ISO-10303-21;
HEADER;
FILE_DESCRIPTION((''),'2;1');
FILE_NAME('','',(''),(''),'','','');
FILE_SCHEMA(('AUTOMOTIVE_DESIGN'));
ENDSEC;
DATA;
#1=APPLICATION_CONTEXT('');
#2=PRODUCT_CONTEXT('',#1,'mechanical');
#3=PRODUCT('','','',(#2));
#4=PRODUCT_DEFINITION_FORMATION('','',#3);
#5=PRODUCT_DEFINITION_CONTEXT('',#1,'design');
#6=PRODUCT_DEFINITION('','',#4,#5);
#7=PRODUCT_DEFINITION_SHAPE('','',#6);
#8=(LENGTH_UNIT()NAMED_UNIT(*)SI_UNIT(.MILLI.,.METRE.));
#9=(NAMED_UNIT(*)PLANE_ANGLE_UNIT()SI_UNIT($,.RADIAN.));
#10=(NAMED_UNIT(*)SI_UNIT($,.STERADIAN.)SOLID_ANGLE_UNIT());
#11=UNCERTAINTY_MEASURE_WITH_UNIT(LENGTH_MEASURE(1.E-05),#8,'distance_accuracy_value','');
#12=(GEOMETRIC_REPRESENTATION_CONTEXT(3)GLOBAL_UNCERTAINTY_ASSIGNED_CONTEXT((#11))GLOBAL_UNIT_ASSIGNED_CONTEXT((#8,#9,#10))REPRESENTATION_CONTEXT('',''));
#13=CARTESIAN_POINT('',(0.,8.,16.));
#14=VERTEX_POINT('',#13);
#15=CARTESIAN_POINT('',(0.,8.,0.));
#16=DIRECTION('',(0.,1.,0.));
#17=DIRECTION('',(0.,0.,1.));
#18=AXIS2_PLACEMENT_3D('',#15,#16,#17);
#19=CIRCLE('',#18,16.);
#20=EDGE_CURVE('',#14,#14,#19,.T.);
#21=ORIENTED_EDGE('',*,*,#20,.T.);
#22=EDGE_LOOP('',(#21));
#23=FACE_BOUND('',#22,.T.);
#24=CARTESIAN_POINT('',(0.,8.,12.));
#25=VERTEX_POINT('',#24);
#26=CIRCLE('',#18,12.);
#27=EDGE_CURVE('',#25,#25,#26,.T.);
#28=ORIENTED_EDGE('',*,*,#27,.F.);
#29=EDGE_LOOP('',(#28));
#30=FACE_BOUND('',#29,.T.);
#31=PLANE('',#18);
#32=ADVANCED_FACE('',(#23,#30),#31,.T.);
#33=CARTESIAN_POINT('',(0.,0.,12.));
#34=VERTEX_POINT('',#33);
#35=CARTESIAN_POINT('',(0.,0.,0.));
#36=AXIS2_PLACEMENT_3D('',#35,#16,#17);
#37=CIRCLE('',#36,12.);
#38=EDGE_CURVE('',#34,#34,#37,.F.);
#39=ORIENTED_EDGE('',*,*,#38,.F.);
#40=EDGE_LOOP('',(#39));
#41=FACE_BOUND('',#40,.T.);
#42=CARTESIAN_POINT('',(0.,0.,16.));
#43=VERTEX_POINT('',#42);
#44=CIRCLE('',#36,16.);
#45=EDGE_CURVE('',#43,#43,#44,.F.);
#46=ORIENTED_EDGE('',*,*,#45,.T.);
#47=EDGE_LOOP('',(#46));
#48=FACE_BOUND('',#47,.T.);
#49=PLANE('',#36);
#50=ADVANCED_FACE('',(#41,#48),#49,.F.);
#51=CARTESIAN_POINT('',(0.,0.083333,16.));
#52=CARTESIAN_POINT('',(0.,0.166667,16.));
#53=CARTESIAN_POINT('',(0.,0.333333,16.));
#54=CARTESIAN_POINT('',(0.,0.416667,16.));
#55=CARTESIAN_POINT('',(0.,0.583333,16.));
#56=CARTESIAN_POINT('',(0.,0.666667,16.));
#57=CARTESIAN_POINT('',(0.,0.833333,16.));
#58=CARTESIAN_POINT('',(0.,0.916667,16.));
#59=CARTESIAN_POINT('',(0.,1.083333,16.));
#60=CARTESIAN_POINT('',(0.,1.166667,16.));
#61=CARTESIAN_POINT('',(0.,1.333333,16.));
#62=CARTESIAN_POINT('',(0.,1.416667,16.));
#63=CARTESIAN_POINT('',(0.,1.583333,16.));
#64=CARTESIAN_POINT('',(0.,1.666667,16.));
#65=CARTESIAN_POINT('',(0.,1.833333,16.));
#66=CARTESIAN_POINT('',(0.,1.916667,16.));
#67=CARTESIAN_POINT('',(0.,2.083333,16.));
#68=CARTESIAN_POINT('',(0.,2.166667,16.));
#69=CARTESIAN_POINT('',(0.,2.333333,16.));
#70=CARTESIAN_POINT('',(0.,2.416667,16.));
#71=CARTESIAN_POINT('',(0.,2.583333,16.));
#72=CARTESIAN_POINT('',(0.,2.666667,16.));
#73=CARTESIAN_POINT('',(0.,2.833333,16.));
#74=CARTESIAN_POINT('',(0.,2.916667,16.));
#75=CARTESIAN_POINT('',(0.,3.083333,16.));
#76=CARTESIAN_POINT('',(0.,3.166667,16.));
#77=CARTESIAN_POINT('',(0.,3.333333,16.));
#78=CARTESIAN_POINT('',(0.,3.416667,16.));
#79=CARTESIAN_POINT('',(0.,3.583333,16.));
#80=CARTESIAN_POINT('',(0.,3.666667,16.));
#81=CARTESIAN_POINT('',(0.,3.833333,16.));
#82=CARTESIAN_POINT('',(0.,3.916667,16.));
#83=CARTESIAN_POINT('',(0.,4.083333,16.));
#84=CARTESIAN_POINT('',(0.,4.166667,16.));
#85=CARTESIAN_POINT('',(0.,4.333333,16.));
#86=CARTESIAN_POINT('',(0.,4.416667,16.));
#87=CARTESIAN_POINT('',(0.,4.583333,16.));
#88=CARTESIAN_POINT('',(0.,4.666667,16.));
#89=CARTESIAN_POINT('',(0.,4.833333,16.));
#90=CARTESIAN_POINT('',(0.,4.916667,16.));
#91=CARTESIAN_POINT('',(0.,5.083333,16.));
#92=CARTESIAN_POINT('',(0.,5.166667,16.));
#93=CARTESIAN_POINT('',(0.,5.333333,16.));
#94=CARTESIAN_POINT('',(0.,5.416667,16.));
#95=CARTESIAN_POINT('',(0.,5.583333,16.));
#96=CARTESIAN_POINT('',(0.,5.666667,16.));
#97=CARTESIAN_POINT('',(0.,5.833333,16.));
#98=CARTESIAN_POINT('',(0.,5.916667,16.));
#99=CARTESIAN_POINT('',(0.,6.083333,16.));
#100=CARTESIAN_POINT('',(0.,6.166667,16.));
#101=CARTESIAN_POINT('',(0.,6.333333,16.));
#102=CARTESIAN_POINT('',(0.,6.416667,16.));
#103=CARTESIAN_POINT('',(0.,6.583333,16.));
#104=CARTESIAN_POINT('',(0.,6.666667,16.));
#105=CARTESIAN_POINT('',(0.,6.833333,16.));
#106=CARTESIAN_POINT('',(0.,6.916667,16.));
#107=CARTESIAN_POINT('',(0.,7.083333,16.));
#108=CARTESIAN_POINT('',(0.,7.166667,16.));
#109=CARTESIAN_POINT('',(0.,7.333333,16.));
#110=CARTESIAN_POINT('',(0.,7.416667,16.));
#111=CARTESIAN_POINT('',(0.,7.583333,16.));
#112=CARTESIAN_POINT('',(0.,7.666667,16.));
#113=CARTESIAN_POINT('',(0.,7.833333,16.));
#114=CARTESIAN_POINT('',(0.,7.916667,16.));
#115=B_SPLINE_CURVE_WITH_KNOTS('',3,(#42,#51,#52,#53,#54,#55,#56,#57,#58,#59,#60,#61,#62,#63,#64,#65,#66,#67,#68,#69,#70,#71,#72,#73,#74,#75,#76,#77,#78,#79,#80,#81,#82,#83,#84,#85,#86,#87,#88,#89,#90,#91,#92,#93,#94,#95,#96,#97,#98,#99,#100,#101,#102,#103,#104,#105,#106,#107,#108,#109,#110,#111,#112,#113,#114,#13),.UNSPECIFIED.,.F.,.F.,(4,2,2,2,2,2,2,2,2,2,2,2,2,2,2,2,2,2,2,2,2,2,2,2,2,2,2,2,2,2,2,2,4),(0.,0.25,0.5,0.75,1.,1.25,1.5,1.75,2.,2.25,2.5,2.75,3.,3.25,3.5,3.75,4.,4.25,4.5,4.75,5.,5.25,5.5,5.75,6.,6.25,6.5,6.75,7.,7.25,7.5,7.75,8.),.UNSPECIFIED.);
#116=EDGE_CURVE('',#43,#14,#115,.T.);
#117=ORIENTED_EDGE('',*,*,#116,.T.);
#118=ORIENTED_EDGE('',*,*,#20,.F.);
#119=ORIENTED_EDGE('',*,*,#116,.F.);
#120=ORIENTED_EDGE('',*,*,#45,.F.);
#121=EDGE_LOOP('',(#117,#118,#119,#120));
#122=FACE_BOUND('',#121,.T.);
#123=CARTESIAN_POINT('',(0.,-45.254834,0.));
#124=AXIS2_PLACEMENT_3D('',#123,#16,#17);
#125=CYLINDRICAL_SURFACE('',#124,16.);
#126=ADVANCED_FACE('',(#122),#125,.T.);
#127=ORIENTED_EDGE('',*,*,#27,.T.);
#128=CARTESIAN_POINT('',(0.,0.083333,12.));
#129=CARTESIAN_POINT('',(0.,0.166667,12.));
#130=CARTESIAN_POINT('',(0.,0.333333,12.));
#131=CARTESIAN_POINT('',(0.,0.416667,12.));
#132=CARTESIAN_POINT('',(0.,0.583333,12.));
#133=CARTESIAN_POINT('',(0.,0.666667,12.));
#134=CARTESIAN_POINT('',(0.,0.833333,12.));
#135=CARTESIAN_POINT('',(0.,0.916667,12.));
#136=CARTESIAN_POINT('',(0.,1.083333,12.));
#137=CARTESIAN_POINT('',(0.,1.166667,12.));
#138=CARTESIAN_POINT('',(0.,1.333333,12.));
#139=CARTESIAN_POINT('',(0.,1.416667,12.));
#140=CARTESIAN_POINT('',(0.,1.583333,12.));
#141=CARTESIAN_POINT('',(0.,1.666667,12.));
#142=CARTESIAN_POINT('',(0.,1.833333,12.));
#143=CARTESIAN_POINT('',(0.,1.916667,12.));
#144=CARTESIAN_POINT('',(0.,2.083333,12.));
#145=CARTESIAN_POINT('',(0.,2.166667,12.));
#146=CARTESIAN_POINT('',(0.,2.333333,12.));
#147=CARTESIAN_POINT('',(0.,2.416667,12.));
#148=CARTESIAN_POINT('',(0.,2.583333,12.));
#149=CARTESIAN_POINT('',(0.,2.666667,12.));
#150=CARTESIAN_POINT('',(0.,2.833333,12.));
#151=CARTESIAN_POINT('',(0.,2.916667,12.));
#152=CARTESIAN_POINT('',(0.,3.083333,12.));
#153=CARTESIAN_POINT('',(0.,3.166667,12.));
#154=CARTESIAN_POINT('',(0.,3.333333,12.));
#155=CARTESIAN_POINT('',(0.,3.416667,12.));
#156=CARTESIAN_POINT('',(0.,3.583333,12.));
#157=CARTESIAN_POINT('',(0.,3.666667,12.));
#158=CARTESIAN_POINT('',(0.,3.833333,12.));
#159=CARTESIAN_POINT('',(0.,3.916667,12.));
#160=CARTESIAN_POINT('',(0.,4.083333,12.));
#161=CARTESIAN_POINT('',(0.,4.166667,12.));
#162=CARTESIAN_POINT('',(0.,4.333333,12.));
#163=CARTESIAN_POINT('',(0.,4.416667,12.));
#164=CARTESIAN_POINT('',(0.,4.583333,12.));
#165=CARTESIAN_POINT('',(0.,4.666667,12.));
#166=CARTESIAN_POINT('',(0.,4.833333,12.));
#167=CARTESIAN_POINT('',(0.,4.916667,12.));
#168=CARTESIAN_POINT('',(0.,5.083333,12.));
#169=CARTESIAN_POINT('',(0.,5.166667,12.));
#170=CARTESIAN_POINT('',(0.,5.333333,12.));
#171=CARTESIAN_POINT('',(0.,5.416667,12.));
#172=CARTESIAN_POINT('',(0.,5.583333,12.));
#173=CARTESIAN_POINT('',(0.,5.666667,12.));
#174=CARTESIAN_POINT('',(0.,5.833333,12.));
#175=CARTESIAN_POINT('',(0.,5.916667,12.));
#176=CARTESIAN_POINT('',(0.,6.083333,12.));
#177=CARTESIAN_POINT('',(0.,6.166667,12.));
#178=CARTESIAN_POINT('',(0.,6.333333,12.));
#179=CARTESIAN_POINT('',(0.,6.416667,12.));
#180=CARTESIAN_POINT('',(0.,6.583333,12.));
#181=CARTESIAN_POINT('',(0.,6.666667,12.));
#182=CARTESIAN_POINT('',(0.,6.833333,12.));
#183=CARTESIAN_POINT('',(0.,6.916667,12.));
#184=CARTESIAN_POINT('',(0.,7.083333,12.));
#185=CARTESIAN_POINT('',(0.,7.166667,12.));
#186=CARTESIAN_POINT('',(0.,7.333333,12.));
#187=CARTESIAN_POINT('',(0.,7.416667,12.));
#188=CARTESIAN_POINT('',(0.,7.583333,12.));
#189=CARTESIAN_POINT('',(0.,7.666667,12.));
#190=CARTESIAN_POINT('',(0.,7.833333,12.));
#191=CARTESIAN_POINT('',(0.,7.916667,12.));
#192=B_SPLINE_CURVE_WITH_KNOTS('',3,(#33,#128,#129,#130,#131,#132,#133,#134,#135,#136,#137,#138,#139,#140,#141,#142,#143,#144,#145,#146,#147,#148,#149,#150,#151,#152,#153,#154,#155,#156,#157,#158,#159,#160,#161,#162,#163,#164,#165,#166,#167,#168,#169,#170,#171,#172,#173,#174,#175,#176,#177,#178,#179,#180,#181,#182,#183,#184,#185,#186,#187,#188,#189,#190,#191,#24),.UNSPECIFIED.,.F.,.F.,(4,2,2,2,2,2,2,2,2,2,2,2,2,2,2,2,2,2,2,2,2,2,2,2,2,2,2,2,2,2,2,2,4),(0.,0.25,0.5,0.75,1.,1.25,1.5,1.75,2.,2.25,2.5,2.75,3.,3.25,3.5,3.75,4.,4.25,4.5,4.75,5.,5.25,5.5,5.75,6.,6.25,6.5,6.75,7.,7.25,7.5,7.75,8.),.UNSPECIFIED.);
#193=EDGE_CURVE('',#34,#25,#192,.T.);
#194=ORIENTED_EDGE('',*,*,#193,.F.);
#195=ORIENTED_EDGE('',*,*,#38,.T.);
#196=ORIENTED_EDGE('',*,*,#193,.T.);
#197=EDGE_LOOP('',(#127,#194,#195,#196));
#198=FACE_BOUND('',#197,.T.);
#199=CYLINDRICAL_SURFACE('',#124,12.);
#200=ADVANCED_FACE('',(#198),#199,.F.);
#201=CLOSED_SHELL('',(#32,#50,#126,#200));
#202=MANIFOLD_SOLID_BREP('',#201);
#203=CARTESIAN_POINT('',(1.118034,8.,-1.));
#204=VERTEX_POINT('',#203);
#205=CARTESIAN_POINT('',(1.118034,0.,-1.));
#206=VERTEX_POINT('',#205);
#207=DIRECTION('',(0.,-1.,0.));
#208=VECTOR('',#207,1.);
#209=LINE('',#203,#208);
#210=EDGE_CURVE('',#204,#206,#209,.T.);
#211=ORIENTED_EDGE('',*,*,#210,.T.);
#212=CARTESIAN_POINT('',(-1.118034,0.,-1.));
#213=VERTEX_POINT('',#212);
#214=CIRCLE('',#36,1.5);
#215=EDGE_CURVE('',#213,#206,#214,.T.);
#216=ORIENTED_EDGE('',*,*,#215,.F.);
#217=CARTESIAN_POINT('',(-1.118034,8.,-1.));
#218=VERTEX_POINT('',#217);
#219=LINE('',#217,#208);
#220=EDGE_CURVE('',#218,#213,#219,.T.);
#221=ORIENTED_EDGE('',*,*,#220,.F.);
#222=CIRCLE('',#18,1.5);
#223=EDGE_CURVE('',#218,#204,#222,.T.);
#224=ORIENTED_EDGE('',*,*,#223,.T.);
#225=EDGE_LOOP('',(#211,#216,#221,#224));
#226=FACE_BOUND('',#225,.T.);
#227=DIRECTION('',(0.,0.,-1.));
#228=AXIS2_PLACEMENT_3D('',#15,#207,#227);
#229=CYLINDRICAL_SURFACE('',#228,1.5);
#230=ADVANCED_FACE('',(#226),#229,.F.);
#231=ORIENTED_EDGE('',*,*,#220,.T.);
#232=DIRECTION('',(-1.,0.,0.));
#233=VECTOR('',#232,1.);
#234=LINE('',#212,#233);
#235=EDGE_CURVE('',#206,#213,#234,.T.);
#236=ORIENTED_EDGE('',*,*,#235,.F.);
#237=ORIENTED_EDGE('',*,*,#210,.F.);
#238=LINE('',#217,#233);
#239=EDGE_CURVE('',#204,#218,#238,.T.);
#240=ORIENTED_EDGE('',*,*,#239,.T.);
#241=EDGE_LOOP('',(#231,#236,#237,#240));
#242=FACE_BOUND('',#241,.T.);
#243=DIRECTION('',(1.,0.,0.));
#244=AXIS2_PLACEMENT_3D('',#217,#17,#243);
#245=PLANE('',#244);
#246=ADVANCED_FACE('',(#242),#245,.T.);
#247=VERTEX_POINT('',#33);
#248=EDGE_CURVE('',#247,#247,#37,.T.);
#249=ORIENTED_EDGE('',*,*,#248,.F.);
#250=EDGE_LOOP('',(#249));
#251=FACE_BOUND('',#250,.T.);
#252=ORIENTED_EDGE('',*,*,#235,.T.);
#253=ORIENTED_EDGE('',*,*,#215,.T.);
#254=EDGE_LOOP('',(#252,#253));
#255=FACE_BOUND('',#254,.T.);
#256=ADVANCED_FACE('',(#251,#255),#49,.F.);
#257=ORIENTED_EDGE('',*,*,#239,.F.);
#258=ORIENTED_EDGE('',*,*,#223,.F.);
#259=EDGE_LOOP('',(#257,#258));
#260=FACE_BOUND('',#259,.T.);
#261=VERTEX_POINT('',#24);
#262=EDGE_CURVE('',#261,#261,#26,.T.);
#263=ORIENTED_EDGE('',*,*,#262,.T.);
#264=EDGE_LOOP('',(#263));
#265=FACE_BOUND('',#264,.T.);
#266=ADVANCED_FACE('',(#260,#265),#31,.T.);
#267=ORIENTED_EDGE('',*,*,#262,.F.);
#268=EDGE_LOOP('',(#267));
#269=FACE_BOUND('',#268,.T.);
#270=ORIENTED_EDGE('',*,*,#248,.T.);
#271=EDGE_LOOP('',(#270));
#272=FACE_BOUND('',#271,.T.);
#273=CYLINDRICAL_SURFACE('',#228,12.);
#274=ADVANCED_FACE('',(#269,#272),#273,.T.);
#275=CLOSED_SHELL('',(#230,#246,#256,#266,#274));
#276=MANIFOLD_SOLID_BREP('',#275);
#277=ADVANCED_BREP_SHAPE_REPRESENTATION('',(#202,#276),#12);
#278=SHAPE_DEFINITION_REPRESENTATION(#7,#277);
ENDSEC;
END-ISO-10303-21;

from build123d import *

# Parameters (mm, degrees)
SKETCH_1_R      = 12
EXTRUDE_1_DEPTH = 8
SKETCH_2_R      = 16
SKETCH_2_R_2    = 12
EXTRUDE_2_DEPTH = 8


with BuildPart() as part:
    # 草图1 → 凸台-拉伸1 (new body)
    with BuildSketch(Plane(origin=(0, 0, 0), x_dir=(1, 0, 0), z_dir=(0, 1, 0))):
        with Locations(Location((0, 0, 0), (0, 0, 270))):
            Circle(SKETCH_1_R)
        with BuildLine():
            Line((-1.118033989, 1), (1.118033989, 1))
            ThreePointArc((1.118033989, 1), (0, -1.5), (-1.118033989, 1))
        make_face(mode=Mode.SUBTRACT)
    extrude(amount=EXTRUDE_1_DEPTH)


with BuildPart() as body_2:
    # 草图2 → 凸台-拉伸2 (new body)
    with BuildSketch(Plane(origin=(0, 8, 0), x_dir=(1, 0, 0), z_dir=(0, 1, 0))):
        with Locations(Location((0, 0, 0), (0, 0, 270))):
            Circle(SKETCH_2_R)
        with Locations(Location((0, 0, 0), (0, 0, 270))):
            Circle(SKETCH_2_R_2, mode=Mode.SUBTRACT)
    extrude(amount=-EXTRUDE_2_DEPTH)


solid = Compound([part.part, body_2.part])
